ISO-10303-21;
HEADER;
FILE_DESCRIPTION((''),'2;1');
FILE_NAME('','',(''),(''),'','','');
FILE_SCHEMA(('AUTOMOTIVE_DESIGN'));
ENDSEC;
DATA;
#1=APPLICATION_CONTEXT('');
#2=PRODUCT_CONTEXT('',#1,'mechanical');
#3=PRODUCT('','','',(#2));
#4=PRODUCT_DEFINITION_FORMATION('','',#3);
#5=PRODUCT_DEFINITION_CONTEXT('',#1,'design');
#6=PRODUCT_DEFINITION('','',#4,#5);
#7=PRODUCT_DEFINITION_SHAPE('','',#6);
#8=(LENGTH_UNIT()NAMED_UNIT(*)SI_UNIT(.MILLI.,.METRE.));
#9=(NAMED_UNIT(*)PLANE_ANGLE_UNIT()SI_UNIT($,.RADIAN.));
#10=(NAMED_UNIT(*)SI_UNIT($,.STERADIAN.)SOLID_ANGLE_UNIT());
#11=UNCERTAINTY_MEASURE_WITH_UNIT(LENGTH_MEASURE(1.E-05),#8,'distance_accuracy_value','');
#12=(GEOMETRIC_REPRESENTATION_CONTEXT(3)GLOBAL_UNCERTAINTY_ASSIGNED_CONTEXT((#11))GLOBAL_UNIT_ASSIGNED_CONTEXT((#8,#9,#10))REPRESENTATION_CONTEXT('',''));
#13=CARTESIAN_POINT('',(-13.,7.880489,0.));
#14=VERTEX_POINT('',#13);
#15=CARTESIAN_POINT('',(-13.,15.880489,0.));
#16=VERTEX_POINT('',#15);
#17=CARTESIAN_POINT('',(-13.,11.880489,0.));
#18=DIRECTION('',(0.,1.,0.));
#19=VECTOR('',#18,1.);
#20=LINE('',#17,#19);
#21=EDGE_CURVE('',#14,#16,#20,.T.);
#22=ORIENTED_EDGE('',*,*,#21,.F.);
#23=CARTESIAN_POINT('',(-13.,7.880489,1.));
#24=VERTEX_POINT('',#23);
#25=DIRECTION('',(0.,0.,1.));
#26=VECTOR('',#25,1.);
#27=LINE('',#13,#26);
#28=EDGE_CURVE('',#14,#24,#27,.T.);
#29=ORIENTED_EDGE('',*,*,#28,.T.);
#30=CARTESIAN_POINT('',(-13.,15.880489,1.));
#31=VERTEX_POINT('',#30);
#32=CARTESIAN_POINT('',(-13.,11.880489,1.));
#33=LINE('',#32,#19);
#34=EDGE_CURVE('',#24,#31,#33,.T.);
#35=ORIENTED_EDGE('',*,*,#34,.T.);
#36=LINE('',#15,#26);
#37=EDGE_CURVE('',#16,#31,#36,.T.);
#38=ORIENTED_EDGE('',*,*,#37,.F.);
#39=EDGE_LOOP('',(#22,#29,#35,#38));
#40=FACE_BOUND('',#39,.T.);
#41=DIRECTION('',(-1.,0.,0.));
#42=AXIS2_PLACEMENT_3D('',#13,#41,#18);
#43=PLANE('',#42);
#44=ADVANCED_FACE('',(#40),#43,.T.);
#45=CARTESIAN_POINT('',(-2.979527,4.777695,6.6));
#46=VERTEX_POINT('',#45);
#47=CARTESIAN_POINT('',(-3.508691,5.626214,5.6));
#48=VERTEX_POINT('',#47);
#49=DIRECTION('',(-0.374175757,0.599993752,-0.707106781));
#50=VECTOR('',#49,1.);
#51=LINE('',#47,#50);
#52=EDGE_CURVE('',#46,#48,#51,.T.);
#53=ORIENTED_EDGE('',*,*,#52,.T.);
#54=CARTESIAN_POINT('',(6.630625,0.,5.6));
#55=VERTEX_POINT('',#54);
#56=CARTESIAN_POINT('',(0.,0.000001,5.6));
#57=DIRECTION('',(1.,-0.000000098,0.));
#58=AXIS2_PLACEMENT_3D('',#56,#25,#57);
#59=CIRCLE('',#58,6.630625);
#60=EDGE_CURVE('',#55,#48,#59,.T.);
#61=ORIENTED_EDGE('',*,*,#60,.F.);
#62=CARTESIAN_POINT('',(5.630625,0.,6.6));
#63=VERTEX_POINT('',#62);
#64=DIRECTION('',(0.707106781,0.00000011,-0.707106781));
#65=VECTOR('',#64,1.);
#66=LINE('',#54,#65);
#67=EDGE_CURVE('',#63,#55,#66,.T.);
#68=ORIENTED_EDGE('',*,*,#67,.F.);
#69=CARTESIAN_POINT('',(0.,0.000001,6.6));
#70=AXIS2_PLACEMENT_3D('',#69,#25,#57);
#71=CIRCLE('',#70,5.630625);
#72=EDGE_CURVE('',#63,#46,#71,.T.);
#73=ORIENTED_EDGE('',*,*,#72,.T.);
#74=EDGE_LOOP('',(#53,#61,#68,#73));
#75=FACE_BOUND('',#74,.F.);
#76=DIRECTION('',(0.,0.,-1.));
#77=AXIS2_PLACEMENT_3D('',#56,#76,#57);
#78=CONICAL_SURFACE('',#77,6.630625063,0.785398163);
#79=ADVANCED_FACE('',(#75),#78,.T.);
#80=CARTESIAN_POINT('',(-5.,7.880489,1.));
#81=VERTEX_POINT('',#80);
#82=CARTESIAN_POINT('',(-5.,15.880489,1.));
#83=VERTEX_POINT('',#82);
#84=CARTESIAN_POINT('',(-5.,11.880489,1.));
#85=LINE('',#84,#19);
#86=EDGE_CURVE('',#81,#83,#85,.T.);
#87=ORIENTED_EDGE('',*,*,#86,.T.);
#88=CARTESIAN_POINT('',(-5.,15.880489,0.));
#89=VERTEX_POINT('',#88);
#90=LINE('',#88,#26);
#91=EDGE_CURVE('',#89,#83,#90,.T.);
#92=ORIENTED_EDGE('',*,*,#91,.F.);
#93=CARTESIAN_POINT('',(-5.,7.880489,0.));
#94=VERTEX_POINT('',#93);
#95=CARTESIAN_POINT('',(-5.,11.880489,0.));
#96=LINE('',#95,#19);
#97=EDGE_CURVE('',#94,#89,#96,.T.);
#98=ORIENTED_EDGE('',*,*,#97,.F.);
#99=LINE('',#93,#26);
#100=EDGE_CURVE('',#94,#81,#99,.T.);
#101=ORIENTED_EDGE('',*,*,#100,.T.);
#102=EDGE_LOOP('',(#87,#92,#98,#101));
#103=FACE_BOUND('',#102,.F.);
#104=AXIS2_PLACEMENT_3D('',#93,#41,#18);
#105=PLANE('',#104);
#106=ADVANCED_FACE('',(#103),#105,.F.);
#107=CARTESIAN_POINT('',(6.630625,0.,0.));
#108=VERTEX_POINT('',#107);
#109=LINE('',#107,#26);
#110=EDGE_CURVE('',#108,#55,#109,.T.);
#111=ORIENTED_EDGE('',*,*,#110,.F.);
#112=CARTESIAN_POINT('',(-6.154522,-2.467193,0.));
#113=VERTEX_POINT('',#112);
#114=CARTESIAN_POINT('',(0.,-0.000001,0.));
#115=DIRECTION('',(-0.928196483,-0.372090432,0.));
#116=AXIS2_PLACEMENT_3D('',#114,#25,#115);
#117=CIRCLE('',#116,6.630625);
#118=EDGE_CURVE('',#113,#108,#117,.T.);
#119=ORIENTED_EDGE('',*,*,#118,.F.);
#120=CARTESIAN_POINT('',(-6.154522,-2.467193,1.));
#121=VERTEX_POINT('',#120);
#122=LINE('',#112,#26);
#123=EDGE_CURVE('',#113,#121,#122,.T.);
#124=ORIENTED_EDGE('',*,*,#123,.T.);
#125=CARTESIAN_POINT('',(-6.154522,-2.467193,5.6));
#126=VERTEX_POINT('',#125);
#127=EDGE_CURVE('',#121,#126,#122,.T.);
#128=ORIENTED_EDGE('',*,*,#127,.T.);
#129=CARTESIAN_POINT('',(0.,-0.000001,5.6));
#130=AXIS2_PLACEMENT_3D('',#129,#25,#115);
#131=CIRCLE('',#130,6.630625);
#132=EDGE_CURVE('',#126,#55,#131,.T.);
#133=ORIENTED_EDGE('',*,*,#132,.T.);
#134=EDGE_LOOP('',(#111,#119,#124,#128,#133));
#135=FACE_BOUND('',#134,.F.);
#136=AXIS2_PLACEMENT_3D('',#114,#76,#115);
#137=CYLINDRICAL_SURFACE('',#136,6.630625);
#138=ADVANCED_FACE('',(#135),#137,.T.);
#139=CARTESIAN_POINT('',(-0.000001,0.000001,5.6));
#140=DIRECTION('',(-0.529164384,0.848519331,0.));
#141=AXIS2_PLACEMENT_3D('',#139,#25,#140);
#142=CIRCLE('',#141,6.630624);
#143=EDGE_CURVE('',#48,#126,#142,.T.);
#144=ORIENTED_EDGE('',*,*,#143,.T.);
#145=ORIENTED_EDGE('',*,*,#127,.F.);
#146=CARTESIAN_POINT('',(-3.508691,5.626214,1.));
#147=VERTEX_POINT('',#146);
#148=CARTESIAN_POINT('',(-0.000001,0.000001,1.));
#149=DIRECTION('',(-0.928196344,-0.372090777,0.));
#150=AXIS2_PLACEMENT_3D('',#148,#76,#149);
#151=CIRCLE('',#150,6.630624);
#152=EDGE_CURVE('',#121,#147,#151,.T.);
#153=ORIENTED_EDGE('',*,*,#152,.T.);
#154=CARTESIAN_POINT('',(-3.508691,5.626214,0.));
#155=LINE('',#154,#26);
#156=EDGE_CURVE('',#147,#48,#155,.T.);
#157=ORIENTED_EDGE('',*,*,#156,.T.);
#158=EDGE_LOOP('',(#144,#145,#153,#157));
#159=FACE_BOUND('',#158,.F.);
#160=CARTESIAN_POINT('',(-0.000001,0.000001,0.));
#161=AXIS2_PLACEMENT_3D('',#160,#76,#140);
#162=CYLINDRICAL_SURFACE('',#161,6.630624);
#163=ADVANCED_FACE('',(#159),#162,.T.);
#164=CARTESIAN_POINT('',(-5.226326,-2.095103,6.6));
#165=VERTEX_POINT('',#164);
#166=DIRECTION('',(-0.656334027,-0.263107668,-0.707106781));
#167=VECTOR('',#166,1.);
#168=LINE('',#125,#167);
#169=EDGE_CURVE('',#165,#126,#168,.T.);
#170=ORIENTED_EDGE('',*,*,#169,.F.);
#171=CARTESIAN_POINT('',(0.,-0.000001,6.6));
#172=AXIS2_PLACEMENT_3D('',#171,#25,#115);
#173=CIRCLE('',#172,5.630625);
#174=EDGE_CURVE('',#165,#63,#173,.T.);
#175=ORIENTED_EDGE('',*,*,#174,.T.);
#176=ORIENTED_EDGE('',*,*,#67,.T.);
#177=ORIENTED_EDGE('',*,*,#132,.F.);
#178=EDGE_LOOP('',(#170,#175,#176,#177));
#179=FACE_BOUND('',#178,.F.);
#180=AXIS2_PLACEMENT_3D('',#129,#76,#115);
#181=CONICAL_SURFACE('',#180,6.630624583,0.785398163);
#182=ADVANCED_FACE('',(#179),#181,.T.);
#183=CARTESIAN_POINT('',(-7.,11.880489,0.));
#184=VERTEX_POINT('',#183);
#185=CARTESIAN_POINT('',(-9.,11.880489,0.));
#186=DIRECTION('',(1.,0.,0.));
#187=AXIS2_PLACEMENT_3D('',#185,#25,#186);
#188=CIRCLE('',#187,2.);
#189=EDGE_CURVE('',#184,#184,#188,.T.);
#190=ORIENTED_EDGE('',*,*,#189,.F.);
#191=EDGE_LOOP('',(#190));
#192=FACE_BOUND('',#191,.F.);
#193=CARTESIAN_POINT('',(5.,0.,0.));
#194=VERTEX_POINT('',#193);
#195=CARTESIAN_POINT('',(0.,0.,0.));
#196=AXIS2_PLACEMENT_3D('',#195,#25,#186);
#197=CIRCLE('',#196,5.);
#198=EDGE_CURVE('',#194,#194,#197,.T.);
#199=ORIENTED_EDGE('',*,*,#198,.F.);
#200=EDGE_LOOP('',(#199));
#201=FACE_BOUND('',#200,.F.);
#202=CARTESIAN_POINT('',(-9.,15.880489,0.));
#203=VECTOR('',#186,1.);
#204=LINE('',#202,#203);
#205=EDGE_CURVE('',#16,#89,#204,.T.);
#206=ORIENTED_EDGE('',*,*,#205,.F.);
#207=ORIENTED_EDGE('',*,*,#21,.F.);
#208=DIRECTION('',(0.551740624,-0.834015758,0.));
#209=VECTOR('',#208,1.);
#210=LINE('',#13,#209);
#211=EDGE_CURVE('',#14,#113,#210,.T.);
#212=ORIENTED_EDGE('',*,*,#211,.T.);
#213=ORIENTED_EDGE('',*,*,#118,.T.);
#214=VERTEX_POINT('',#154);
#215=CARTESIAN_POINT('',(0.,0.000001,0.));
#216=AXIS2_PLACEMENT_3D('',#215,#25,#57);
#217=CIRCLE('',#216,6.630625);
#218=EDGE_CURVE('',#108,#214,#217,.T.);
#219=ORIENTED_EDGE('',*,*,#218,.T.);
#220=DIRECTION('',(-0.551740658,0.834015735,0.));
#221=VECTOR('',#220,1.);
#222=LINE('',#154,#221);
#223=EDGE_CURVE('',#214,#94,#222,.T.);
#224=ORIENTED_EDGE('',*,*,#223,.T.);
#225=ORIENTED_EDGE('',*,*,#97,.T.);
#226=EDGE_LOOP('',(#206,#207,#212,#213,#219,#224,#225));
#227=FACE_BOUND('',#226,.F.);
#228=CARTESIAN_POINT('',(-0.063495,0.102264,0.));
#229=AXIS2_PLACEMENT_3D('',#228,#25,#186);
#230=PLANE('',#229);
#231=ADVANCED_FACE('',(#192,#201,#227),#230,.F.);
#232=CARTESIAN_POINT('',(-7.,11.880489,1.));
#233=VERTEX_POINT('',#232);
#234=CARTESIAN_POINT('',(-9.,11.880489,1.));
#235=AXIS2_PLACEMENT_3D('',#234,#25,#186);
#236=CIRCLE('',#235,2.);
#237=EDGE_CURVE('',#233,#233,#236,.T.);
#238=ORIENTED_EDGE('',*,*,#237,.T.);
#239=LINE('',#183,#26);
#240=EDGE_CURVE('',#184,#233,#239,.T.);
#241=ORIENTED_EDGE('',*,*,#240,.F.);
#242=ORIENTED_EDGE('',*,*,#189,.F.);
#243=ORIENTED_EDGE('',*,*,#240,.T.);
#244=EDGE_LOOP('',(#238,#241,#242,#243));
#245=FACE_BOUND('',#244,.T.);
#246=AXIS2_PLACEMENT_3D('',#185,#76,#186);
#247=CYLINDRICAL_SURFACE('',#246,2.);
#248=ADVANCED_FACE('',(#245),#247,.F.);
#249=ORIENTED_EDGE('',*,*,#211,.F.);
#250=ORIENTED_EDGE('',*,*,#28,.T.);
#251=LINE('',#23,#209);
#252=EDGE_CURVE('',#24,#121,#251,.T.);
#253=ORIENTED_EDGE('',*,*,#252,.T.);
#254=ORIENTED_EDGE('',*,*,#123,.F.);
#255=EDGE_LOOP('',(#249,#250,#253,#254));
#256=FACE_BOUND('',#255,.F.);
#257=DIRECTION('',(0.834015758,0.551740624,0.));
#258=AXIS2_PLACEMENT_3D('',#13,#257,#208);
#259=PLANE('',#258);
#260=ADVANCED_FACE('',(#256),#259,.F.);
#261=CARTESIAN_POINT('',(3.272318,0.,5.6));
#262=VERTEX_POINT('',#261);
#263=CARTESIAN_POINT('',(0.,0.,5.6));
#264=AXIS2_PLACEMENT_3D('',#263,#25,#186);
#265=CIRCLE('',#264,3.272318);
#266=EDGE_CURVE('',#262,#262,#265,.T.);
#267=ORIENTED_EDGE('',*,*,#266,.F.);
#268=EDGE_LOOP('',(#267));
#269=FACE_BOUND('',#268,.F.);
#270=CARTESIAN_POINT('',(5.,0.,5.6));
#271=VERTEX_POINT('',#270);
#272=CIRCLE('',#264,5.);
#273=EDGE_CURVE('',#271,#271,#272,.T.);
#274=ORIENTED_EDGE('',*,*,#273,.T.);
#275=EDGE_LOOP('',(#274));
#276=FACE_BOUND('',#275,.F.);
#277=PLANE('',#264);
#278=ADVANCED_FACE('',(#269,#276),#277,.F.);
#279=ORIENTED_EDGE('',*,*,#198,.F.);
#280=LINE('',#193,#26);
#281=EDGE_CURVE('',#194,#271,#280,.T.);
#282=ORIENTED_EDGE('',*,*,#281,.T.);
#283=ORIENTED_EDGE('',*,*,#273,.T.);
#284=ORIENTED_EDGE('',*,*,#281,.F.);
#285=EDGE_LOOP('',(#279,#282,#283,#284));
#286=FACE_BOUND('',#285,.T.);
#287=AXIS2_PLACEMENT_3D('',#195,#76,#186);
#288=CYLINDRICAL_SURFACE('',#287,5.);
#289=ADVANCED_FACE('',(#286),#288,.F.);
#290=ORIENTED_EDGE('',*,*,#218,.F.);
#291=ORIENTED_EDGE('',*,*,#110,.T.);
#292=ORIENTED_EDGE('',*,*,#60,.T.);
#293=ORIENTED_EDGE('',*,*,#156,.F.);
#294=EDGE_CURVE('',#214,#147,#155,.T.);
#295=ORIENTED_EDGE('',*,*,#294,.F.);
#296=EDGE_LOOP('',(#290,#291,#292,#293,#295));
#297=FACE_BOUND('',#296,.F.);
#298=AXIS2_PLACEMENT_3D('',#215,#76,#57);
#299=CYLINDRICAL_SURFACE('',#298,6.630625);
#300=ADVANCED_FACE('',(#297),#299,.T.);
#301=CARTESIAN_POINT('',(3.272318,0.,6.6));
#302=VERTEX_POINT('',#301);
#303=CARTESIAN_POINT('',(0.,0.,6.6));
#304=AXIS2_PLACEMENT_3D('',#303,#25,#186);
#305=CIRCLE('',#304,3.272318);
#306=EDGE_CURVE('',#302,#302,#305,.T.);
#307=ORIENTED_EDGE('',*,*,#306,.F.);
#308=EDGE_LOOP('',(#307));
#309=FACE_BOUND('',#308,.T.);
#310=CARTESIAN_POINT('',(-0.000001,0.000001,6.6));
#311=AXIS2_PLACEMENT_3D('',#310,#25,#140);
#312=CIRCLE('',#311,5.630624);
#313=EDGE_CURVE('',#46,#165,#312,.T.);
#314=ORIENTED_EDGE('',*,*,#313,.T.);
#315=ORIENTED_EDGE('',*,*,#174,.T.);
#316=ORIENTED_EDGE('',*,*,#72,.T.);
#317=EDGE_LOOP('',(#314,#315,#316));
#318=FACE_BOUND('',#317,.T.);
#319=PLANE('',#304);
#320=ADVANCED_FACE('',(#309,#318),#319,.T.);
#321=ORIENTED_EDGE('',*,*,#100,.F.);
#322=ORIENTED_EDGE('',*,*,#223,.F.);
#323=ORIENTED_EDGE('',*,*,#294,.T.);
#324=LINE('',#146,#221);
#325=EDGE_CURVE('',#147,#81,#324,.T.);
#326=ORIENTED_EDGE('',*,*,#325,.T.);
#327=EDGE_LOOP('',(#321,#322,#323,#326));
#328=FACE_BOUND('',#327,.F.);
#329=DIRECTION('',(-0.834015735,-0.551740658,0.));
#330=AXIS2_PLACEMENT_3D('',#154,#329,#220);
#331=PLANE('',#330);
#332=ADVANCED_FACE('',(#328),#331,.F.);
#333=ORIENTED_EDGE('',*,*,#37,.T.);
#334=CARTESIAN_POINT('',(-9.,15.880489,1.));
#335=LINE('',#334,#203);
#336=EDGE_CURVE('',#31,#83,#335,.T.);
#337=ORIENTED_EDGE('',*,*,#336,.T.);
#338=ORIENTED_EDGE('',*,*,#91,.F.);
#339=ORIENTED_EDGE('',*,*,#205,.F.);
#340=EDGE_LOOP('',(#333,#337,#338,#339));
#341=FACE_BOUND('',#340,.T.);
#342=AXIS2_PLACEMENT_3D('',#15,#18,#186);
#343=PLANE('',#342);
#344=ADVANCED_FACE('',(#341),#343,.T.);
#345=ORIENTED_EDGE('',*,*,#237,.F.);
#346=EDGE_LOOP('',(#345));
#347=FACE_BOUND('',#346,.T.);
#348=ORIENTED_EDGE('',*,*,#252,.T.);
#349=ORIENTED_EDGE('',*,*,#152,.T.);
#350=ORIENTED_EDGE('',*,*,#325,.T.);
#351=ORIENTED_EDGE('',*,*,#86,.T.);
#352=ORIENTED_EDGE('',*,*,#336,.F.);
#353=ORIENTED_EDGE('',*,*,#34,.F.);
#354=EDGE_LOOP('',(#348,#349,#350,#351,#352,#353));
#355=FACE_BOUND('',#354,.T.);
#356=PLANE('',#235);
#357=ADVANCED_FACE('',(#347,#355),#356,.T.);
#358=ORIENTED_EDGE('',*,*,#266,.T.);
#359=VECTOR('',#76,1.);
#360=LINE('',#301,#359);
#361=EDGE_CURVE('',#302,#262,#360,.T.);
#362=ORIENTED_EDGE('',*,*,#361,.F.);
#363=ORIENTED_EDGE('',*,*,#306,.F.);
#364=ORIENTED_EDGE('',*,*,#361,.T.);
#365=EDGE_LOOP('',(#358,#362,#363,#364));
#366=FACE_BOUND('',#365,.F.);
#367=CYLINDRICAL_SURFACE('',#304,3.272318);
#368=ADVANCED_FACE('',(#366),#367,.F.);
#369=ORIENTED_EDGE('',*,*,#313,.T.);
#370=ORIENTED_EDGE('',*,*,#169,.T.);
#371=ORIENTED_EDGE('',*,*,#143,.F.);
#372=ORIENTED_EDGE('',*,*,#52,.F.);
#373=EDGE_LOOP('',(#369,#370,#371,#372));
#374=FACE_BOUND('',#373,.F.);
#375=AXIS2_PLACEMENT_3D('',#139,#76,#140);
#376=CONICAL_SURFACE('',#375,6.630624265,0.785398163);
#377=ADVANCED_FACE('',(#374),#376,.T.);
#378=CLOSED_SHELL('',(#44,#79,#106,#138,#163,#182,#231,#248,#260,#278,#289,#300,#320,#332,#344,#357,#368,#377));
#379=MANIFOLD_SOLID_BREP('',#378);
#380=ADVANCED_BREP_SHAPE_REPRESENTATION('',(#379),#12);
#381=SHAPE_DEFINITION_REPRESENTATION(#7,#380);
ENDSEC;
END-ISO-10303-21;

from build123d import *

# Parameters (mm, degrees)
F0_W     = 8
F0_H     = 8
F0_R     = 2
F1_DEPTH = 1
F0_R_2   = 5
F2_DEPTH = 6.6
F3_R     = 5
F3_R_2   = 3.272318
F4_DEPTH = 1
F5_SIZE  = 1


with BuildPart() as f1:
    # F0 (on Top) → F1 (new body)
    with BuildSketch(Plane.XY):
        with Locations((-9, 11.880489)):
            Rectangle(F0_W, F0_H)
        with Locations((-9, 11.880489)):
            Circle(F0_R, mode=Mode.SUBTRACT)
        with BuildLine():
            ThreePointArc((-6.154522, -2.467193), (-6.302399, 2.06033), (-3.508691, 5.626214))
            Line((-3.508691, 5.626214), (-5, 7.880489))
            Line((-5, 7.880489), (-13, 7.880489))
            Line((-13, 7.880489), (-6.154522, -2.467193))
        make_face()
    extrude(amount=F1_DEPTH)

    # F0 (on Top) → F2 (join)
    with BuildSketch(Plane.XY):
        with BuildLine():
            ThreePointArc((-6.154522, -2.467193), (1.256356, -6.510512), (6.630625, 0))
            ThreePointArc((6.630625, 0), (3.217171, 5.797845), (-3.508691, 5.626214))
            ThreePointArc((-3.508691, 5.626214), (-6.302399, 2.06033), (-6.154522, -2.467193))
        make_face()
        Circle(F0_R_2, mode=Mode.SUBTRACT)
    extrude(amount=F2_DEPTH)

    # F3 (on face) → F4 (join)
    with BuildSketch(Plane.XY.offset(6.6)):
        Circle(F3_R)
        Circle(F3_R_2, mode=Mode.SUBTRACT)
    extrude(amount=-F4_DEPTH)

    # F5
    f5_edges = [f1.edges().sort_by_distance(p)[0] for p in [
        (3.508691, -5.626214, 6.6),
    ]]
    chamfer(f5_edges, length=F5_SIZE)


solid = f1.part
